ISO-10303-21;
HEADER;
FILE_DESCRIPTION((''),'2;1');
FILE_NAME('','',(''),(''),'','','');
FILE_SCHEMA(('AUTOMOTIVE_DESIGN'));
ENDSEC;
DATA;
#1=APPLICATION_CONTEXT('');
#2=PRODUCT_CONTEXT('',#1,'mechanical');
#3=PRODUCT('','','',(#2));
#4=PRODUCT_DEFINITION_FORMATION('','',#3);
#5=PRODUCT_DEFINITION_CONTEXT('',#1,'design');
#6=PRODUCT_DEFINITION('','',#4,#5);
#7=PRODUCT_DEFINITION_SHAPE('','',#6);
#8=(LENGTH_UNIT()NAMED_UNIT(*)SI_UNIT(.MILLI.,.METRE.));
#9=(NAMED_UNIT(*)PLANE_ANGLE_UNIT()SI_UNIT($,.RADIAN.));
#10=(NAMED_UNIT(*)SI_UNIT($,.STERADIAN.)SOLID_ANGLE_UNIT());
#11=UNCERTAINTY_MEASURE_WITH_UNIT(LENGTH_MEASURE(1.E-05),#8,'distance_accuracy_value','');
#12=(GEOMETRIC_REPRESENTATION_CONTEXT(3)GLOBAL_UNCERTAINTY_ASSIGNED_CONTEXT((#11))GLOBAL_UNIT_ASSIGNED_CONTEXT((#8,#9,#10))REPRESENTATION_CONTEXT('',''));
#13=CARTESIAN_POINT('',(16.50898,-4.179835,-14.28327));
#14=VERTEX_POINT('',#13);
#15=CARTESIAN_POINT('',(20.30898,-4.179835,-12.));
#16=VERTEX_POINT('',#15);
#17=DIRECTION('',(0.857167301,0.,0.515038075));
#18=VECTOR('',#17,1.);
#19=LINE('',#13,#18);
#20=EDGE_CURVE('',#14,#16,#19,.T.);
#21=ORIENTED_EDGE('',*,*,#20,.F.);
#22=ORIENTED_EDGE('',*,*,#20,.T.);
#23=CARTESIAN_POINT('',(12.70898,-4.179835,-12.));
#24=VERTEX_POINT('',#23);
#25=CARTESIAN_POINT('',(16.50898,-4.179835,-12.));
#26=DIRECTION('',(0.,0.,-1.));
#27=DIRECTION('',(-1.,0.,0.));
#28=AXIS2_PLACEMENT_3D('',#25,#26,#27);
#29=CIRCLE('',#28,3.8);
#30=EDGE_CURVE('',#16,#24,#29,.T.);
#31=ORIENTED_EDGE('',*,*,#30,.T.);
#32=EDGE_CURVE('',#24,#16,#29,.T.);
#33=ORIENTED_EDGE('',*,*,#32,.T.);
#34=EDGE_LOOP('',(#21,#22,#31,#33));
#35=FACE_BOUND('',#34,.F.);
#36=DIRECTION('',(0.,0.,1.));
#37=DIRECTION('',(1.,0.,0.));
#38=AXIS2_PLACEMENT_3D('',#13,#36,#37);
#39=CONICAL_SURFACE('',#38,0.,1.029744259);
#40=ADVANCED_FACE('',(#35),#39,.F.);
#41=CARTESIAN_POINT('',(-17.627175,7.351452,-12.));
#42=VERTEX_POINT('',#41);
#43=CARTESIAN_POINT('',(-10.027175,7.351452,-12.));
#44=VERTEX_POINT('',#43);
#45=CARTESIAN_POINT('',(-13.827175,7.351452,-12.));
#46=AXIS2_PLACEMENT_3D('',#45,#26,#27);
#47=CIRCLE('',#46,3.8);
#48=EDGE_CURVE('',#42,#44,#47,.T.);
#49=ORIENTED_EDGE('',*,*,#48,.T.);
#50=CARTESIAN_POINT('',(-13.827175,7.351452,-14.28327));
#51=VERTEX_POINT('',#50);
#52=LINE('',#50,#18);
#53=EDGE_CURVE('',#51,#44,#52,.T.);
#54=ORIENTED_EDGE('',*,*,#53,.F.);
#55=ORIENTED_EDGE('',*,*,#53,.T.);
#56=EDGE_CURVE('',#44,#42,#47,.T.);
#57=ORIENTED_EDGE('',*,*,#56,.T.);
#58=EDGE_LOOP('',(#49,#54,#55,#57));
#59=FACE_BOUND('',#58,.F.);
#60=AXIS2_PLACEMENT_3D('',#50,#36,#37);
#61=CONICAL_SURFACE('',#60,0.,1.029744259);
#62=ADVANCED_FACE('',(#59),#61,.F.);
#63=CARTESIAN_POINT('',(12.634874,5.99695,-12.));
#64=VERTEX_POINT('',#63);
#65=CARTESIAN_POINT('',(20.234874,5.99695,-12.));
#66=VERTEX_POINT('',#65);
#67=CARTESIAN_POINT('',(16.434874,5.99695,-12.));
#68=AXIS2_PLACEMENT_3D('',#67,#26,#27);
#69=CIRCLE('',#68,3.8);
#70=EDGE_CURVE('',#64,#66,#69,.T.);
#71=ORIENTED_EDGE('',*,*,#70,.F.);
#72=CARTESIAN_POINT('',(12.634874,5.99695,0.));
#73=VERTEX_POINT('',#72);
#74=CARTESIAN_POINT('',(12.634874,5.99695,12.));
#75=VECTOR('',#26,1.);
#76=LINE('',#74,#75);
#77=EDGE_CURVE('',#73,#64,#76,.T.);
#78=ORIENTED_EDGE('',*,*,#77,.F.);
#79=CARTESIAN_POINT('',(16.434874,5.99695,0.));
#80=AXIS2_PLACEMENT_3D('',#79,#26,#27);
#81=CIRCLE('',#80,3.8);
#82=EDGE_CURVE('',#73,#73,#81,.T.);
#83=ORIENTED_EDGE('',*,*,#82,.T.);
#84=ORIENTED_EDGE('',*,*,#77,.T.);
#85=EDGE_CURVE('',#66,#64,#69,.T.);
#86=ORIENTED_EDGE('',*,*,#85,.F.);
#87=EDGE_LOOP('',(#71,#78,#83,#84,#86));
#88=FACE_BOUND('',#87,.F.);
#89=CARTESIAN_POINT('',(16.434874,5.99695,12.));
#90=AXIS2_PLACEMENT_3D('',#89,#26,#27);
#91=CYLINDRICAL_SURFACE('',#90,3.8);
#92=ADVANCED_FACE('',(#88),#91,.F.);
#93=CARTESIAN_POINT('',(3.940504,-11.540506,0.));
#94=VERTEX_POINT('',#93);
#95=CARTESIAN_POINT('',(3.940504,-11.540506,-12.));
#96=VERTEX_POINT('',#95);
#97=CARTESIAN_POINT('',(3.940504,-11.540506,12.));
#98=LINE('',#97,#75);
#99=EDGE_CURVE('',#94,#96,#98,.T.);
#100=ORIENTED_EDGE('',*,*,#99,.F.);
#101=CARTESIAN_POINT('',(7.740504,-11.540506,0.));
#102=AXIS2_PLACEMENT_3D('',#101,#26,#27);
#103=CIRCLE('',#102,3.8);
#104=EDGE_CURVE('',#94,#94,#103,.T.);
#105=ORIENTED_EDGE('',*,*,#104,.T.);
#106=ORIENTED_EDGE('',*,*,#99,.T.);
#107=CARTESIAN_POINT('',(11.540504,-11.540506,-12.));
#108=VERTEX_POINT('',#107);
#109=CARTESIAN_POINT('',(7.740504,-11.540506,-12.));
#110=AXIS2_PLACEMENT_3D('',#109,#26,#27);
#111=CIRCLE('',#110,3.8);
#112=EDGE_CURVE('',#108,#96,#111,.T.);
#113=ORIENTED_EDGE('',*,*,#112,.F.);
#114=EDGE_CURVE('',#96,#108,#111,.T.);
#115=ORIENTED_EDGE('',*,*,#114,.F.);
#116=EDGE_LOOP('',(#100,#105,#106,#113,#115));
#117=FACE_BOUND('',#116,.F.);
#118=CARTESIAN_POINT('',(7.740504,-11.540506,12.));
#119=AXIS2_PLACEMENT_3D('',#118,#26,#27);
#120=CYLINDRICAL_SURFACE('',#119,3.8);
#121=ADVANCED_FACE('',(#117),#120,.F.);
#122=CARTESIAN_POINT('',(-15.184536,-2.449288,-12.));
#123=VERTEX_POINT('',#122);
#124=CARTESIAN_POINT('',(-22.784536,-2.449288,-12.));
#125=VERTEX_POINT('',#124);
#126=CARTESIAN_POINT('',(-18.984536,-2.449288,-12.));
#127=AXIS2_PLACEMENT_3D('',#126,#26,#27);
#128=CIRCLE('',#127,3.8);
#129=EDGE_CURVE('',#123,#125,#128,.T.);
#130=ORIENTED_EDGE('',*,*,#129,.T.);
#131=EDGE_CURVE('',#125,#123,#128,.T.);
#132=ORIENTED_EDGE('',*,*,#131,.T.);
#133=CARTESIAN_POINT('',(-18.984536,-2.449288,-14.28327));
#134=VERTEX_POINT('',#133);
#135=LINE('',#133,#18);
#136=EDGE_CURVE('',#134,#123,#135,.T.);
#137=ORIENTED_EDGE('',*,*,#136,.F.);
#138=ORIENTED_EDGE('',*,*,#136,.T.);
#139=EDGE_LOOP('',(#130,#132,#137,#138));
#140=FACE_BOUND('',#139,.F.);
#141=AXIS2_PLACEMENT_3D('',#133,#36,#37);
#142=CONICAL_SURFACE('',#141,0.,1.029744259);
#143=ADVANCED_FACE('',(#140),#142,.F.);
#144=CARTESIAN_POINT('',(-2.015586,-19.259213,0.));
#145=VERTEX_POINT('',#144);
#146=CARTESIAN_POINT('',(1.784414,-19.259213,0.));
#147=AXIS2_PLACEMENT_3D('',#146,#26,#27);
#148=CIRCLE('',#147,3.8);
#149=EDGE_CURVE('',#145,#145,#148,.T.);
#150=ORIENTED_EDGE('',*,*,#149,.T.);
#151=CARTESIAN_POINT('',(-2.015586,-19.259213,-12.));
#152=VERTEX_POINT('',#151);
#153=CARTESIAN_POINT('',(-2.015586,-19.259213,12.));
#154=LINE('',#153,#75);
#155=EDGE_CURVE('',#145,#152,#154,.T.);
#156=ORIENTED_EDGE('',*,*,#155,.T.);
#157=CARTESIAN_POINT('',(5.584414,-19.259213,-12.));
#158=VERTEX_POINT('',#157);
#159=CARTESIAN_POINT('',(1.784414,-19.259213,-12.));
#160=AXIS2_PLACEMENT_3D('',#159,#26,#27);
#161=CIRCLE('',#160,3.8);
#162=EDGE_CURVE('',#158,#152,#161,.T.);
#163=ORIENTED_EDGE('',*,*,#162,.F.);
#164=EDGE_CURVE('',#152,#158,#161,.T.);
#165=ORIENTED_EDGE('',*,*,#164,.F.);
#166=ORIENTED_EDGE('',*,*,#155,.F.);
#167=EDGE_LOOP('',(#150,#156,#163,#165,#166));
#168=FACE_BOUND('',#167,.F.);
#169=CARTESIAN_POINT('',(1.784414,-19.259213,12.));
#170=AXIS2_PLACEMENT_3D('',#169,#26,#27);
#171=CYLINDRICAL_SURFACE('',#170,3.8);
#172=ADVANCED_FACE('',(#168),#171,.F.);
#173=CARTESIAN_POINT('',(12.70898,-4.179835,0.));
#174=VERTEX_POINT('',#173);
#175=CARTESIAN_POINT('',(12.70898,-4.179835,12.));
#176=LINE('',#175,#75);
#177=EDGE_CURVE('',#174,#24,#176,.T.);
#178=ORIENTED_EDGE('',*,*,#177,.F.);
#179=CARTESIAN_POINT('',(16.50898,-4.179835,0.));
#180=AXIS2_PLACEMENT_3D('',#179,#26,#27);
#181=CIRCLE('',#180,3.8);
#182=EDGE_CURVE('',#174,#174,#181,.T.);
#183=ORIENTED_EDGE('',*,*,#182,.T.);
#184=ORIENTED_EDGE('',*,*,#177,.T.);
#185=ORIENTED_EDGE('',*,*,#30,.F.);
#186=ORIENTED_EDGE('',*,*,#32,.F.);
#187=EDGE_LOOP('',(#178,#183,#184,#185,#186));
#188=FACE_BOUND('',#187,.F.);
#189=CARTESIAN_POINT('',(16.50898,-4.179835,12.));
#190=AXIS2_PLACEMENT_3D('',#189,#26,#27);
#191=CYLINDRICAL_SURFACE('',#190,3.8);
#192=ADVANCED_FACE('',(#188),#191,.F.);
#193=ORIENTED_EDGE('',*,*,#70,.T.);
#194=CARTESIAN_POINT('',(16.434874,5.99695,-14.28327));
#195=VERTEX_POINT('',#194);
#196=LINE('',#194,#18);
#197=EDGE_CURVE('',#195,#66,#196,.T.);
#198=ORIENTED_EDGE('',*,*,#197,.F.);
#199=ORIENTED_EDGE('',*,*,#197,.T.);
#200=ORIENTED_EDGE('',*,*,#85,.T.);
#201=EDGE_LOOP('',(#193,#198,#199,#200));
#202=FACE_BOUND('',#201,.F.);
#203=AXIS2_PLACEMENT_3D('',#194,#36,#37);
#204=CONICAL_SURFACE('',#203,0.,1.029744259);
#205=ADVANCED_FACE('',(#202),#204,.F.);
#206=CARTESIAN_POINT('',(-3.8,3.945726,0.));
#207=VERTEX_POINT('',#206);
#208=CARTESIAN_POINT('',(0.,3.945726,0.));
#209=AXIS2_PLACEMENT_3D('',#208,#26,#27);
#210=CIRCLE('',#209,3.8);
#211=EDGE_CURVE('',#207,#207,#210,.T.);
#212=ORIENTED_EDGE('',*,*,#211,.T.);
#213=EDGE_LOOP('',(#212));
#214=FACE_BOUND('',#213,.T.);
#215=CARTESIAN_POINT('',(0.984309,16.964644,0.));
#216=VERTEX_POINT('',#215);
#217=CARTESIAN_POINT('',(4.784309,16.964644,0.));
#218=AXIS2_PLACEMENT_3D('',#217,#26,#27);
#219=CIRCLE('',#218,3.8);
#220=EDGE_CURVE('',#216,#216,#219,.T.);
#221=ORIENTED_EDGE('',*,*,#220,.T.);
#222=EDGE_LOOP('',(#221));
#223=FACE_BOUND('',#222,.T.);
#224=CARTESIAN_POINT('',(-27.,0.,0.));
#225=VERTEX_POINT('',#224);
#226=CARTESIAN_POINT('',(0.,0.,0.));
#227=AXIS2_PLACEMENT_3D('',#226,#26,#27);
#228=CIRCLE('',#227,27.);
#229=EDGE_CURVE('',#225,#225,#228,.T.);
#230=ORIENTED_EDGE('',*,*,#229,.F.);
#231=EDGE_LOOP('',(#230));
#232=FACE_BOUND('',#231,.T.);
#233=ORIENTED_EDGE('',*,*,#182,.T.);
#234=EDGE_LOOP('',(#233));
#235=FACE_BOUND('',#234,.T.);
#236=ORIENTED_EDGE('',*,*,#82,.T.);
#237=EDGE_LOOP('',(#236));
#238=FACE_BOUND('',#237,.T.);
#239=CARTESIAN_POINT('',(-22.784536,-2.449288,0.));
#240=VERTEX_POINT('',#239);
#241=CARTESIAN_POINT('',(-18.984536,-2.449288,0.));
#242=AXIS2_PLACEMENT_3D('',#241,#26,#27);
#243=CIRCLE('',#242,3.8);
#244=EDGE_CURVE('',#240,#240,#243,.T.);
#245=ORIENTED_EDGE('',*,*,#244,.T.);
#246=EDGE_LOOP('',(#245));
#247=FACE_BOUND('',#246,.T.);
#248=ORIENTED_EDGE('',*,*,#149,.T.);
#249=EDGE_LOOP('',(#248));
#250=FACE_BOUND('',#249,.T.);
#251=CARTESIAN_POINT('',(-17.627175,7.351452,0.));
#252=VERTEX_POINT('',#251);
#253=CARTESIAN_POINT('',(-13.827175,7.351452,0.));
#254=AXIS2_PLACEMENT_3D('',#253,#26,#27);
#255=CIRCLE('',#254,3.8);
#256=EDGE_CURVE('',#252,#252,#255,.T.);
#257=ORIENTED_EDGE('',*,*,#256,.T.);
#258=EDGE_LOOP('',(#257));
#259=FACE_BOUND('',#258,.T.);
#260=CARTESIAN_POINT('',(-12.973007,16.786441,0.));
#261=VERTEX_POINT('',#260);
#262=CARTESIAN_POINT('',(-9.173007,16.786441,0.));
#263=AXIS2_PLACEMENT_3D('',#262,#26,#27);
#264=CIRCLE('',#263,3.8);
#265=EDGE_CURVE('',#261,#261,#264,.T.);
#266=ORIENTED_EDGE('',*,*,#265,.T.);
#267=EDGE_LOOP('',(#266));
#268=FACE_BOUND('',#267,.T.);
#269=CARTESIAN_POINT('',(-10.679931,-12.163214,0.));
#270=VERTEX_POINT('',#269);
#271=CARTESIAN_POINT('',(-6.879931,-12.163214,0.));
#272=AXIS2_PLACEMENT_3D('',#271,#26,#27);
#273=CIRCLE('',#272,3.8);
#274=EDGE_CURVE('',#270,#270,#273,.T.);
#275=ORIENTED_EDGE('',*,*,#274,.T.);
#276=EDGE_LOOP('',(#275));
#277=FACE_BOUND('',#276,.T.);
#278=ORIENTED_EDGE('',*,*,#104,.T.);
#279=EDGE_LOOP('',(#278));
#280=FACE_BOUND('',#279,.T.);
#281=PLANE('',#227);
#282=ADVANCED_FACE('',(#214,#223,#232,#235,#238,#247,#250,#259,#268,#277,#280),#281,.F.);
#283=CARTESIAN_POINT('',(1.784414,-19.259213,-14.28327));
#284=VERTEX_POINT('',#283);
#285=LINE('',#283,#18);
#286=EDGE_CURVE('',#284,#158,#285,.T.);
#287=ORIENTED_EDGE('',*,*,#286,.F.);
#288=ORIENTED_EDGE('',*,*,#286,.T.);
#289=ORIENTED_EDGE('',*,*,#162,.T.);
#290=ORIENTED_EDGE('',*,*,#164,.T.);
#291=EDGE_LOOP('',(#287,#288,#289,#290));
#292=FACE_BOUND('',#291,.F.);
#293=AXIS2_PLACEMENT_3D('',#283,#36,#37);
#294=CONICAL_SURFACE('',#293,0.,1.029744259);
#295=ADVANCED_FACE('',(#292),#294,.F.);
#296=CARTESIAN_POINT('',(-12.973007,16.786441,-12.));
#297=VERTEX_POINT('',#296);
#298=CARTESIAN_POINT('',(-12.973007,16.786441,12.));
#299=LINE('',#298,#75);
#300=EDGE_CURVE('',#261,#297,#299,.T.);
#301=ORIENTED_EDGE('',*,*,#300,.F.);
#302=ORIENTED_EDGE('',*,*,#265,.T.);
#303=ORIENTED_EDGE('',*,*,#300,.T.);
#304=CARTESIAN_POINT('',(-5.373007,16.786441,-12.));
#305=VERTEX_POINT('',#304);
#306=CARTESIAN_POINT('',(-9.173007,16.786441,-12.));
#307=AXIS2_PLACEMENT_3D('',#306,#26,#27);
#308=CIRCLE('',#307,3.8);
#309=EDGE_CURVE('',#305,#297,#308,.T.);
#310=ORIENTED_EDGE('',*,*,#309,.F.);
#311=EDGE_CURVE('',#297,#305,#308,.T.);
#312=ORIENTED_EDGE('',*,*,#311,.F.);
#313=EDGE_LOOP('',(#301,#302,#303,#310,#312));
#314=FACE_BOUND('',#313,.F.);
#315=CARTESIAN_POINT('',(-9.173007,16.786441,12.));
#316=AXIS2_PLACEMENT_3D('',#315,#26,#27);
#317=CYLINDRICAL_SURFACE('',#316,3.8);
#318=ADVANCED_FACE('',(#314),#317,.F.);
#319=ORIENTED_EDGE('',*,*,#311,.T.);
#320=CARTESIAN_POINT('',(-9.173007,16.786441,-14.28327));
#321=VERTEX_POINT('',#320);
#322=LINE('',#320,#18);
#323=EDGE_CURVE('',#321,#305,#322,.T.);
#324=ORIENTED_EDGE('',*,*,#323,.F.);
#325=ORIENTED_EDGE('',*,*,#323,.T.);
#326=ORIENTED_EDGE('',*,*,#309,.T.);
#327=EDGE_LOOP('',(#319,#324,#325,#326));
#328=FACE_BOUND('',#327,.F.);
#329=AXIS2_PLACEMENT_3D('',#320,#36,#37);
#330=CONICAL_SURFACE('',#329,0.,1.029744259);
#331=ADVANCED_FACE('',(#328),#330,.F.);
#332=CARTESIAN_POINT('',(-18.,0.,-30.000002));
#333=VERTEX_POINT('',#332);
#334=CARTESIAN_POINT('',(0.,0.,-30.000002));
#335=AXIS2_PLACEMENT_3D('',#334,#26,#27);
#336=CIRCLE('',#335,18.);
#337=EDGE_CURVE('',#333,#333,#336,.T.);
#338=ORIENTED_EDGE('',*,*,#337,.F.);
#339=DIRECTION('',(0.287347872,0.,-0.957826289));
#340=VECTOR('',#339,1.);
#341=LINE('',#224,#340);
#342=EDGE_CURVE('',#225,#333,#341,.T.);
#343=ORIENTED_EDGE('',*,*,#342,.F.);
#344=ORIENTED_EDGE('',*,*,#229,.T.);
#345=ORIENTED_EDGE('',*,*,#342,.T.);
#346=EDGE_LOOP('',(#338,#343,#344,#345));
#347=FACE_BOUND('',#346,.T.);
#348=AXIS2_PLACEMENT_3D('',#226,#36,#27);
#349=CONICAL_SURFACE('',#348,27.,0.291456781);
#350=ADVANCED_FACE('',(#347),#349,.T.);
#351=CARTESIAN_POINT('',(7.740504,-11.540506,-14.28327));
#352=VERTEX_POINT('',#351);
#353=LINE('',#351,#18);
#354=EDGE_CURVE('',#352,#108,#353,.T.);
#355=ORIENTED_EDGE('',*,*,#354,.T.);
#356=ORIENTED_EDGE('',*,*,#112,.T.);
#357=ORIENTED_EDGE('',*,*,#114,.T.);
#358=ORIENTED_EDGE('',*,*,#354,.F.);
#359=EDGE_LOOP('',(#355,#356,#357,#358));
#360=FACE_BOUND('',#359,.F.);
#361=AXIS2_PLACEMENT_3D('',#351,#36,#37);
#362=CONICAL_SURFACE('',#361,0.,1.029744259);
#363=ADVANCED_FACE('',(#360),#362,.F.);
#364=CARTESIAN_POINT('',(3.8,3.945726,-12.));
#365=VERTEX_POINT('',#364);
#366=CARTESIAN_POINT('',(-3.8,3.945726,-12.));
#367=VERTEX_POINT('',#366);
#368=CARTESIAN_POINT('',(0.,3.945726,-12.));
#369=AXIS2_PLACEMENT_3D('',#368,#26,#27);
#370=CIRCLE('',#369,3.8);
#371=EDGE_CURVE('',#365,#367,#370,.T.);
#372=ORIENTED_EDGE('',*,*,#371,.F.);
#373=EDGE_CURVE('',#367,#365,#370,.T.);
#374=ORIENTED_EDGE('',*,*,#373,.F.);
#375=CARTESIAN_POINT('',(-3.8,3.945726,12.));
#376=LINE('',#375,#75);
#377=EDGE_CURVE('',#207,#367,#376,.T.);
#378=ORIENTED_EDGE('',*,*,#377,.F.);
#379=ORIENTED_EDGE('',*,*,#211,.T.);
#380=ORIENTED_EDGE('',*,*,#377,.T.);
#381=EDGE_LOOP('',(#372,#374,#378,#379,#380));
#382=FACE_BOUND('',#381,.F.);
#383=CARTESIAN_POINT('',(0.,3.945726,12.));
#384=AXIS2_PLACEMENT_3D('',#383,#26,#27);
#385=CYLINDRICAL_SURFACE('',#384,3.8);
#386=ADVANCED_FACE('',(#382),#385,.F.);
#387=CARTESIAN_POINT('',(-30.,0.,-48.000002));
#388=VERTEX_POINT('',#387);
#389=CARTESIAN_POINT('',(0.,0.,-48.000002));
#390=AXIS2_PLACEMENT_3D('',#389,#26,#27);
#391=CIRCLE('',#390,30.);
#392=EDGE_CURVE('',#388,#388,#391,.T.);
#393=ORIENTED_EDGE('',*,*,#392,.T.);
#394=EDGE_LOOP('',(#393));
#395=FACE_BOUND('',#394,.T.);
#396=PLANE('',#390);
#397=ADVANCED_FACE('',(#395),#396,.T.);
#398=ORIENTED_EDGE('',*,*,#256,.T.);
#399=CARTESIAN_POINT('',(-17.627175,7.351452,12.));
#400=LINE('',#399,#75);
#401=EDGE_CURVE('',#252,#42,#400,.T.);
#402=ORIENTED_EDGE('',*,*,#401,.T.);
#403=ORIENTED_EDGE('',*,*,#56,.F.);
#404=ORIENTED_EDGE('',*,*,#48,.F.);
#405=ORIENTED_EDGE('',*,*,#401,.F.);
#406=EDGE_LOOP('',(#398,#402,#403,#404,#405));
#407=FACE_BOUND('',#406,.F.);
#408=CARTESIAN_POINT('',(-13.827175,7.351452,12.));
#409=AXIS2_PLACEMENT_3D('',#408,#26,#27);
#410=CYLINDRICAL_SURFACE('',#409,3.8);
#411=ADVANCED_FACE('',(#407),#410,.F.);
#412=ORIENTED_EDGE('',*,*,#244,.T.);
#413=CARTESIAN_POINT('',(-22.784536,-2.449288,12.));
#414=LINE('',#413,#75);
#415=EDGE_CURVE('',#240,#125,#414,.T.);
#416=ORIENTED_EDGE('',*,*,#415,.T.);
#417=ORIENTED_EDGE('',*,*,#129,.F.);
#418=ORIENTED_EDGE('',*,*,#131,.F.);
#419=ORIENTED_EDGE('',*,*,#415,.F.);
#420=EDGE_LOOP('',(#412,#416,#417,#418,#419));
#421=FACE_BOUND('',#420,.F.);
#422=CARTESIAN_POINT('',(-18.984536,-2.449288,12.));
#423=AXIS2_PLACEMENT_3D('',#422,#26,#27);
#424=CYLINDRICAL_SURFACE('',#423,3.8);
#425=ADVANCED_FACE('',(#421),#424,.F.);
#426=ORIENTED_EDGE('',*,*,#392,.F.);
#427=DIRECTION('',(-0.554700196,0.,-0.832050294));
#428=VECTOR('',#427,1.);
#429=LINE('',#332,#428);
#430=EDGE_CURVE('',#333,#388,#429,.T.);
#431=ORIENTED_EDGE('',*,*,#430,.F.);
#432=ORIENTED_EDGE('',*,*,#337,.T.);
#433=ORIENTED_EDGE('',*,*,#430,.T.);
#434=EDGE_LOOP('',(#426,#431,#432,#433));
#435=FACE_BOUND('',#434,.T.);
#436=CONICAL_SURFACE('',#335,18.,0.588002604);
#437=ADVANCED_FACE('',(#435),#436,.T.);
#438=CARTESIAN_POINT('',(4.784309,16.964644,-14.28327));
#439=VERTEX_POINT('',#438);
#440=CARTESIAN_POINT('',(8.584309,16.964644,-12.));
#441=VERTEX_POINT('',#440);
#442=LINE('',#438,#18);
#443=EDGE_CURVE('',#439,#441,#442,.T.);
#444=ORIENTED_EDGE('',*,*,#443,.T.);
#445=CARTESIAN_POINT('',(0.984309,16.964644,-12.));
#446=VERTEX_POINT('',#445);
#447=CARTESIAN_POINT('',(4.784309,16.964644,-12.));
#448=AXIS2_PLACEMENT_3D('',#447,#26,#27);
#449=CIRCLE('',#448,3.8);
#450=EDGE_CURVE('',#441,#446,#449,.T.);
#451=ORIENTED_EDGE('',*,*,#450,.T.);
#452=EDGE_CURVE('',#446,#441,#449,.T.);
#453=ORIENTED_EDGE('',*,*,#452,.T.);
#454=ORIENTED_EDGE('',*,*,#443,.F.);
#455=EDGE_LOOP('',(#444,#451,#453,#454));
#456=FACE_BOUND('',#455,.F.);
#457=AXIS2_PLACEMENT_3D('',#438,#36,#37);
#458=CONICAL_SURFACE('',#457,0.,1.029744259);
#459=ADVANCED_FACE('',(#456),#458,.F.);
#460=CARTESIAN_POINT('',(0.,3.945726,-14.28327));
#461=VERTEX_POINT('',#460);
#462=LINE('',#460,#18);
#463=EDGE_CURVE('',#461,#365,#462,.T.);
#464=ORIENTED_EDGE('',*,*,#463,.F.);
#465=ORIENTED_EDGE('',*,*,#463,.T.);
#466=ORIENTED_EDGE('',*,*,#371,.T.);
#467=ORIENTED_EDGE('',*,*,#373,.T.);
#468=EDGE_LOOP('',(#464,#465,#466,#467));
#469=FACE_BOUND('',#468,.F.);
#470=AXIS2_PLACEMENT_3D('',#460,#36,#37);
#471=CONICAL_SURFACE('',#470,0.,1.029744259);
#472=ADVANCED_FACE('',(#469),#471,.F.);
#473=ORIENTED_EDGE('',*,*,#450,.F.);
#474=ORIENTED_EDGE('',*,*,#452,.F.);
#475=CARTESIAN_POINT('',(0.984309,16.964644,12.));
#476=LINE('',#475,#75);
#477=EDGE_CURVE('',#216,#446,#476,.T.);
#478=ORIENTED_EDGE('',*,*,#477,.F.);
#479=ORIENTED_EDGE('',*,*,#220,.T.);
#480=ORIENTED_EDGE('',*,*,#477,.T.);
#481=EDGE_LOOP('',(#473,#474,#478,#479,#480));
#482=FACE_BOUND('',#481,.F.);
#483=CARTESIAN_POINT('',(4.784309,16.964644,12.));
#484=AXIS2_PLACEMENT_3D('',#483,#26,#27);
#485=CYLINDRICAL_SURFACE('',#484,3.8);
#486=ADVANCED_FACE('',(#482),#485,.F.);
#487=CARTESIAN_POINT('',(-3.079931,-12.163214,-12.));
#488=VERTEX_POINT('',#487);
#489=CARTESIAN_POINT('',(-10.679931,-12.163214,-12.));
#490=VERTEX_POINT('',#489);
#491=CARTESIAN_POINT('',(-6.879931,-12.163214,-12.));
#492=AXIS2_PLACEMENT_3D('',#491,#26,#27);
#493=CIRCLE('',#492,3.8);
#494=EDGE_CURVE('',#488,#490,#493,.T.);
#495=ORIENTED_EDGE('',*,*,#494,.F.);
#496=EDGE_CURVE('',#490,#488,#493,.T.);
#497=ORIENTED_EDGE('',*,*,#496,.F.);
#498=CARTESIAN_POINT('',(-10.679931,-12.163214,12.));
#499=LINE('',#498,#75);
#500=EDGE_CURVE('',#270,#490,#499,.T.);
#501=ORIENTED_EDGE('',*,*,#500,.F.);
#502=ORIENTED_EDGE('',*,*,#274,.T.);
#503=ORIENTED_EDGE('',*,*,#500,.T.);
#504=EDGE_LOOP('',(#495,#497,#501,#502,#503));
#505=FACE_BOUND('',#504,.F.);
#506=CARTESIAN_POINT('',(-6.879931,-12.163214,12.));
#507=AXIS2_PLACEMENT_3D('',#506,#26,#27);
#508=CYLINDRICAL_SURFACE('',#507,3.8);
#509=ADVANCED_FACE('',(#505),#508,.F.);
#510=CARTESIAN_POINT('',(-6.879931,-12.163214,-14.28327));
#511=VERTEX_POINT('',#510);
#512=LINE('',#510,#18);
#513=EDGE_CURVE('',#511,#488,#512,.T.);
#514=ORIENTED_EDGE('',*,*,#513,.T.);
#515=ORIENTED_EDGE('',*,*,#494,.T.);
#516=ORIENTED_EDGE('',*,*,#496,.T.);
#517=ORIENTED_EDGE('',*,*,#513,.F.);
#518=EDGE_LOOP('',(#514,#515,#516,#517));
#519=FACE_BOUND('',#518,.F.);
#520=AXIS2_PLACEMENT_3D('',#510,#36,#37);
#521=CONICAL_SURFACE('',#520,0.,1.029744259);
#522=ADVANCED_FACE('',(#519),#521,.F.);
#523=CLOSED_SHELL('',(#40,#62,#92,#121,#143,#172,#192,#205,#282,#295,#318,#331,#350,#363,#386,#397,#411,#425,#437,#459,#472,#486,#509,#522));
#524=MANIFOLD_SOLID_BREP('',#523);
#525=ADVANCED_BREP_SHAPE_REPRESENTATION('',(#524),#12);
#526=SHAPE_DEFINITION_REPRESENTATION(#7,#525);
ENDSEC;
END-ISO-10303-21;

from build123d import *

# Parameters (mm, degrees)
F3_D     = 7.6
F3_DEPTH = 12
F3_TIP   = 2.2832703523
F5_D     = 7.6
F5_DEPTH = 12
F5_TIP   = 2.2832703523


with BuildPart() as f1:
    # F0 (on Front) → F1 (revolve)
    with BuildSketch(Plane.XZ):
        Polygon((-18, -30.0000015049), (-30, -48.0000015049), (0, -48.0000015049), (0, 0), (-27, 0), align=None)
    revolve(axis=Axis((0, 0, -24.0000007525), (0, 0, -1)))

    # F3
    with Locations(Plane.XY):
        with Locations((4.7843093053, 16.9646441936), (0, 3.9457264356), (16.4348743856, 5.9969499707), (-9.1730067506, 16.7864412069), (7.7405036427, -11.5405060351), (-6.8799313158, -12.1632143855), (-18.984535709, -2.4492875673)):
            Hole(F3_D / 2, depth=F3_DEPTH)
            with Locations((0, 0, -(F3_DEPTH + F3_TIP / 2))):  # 118° drill point
                Cone(0, F3_D / 2, F3_TIP, mode=Mode.SUBTRACT)

    # F5
    with Locations(Plane.XY):
        with Locations((-13.827174902, 7.3514520191), (1.784414053, -19.2592125386), (16.5089797229, -4.1798353195)):
            Hole(F5_D / 2, depth=F5_DEPTH)
            with Locations((0, 0, -(F5_DEPTH + F5_TIP / 2))):  # 118° drill point
                Cone(0, F5_D / 2, F5_TIP, mode=Mode.SUBTRACT)


solid = f1.part
